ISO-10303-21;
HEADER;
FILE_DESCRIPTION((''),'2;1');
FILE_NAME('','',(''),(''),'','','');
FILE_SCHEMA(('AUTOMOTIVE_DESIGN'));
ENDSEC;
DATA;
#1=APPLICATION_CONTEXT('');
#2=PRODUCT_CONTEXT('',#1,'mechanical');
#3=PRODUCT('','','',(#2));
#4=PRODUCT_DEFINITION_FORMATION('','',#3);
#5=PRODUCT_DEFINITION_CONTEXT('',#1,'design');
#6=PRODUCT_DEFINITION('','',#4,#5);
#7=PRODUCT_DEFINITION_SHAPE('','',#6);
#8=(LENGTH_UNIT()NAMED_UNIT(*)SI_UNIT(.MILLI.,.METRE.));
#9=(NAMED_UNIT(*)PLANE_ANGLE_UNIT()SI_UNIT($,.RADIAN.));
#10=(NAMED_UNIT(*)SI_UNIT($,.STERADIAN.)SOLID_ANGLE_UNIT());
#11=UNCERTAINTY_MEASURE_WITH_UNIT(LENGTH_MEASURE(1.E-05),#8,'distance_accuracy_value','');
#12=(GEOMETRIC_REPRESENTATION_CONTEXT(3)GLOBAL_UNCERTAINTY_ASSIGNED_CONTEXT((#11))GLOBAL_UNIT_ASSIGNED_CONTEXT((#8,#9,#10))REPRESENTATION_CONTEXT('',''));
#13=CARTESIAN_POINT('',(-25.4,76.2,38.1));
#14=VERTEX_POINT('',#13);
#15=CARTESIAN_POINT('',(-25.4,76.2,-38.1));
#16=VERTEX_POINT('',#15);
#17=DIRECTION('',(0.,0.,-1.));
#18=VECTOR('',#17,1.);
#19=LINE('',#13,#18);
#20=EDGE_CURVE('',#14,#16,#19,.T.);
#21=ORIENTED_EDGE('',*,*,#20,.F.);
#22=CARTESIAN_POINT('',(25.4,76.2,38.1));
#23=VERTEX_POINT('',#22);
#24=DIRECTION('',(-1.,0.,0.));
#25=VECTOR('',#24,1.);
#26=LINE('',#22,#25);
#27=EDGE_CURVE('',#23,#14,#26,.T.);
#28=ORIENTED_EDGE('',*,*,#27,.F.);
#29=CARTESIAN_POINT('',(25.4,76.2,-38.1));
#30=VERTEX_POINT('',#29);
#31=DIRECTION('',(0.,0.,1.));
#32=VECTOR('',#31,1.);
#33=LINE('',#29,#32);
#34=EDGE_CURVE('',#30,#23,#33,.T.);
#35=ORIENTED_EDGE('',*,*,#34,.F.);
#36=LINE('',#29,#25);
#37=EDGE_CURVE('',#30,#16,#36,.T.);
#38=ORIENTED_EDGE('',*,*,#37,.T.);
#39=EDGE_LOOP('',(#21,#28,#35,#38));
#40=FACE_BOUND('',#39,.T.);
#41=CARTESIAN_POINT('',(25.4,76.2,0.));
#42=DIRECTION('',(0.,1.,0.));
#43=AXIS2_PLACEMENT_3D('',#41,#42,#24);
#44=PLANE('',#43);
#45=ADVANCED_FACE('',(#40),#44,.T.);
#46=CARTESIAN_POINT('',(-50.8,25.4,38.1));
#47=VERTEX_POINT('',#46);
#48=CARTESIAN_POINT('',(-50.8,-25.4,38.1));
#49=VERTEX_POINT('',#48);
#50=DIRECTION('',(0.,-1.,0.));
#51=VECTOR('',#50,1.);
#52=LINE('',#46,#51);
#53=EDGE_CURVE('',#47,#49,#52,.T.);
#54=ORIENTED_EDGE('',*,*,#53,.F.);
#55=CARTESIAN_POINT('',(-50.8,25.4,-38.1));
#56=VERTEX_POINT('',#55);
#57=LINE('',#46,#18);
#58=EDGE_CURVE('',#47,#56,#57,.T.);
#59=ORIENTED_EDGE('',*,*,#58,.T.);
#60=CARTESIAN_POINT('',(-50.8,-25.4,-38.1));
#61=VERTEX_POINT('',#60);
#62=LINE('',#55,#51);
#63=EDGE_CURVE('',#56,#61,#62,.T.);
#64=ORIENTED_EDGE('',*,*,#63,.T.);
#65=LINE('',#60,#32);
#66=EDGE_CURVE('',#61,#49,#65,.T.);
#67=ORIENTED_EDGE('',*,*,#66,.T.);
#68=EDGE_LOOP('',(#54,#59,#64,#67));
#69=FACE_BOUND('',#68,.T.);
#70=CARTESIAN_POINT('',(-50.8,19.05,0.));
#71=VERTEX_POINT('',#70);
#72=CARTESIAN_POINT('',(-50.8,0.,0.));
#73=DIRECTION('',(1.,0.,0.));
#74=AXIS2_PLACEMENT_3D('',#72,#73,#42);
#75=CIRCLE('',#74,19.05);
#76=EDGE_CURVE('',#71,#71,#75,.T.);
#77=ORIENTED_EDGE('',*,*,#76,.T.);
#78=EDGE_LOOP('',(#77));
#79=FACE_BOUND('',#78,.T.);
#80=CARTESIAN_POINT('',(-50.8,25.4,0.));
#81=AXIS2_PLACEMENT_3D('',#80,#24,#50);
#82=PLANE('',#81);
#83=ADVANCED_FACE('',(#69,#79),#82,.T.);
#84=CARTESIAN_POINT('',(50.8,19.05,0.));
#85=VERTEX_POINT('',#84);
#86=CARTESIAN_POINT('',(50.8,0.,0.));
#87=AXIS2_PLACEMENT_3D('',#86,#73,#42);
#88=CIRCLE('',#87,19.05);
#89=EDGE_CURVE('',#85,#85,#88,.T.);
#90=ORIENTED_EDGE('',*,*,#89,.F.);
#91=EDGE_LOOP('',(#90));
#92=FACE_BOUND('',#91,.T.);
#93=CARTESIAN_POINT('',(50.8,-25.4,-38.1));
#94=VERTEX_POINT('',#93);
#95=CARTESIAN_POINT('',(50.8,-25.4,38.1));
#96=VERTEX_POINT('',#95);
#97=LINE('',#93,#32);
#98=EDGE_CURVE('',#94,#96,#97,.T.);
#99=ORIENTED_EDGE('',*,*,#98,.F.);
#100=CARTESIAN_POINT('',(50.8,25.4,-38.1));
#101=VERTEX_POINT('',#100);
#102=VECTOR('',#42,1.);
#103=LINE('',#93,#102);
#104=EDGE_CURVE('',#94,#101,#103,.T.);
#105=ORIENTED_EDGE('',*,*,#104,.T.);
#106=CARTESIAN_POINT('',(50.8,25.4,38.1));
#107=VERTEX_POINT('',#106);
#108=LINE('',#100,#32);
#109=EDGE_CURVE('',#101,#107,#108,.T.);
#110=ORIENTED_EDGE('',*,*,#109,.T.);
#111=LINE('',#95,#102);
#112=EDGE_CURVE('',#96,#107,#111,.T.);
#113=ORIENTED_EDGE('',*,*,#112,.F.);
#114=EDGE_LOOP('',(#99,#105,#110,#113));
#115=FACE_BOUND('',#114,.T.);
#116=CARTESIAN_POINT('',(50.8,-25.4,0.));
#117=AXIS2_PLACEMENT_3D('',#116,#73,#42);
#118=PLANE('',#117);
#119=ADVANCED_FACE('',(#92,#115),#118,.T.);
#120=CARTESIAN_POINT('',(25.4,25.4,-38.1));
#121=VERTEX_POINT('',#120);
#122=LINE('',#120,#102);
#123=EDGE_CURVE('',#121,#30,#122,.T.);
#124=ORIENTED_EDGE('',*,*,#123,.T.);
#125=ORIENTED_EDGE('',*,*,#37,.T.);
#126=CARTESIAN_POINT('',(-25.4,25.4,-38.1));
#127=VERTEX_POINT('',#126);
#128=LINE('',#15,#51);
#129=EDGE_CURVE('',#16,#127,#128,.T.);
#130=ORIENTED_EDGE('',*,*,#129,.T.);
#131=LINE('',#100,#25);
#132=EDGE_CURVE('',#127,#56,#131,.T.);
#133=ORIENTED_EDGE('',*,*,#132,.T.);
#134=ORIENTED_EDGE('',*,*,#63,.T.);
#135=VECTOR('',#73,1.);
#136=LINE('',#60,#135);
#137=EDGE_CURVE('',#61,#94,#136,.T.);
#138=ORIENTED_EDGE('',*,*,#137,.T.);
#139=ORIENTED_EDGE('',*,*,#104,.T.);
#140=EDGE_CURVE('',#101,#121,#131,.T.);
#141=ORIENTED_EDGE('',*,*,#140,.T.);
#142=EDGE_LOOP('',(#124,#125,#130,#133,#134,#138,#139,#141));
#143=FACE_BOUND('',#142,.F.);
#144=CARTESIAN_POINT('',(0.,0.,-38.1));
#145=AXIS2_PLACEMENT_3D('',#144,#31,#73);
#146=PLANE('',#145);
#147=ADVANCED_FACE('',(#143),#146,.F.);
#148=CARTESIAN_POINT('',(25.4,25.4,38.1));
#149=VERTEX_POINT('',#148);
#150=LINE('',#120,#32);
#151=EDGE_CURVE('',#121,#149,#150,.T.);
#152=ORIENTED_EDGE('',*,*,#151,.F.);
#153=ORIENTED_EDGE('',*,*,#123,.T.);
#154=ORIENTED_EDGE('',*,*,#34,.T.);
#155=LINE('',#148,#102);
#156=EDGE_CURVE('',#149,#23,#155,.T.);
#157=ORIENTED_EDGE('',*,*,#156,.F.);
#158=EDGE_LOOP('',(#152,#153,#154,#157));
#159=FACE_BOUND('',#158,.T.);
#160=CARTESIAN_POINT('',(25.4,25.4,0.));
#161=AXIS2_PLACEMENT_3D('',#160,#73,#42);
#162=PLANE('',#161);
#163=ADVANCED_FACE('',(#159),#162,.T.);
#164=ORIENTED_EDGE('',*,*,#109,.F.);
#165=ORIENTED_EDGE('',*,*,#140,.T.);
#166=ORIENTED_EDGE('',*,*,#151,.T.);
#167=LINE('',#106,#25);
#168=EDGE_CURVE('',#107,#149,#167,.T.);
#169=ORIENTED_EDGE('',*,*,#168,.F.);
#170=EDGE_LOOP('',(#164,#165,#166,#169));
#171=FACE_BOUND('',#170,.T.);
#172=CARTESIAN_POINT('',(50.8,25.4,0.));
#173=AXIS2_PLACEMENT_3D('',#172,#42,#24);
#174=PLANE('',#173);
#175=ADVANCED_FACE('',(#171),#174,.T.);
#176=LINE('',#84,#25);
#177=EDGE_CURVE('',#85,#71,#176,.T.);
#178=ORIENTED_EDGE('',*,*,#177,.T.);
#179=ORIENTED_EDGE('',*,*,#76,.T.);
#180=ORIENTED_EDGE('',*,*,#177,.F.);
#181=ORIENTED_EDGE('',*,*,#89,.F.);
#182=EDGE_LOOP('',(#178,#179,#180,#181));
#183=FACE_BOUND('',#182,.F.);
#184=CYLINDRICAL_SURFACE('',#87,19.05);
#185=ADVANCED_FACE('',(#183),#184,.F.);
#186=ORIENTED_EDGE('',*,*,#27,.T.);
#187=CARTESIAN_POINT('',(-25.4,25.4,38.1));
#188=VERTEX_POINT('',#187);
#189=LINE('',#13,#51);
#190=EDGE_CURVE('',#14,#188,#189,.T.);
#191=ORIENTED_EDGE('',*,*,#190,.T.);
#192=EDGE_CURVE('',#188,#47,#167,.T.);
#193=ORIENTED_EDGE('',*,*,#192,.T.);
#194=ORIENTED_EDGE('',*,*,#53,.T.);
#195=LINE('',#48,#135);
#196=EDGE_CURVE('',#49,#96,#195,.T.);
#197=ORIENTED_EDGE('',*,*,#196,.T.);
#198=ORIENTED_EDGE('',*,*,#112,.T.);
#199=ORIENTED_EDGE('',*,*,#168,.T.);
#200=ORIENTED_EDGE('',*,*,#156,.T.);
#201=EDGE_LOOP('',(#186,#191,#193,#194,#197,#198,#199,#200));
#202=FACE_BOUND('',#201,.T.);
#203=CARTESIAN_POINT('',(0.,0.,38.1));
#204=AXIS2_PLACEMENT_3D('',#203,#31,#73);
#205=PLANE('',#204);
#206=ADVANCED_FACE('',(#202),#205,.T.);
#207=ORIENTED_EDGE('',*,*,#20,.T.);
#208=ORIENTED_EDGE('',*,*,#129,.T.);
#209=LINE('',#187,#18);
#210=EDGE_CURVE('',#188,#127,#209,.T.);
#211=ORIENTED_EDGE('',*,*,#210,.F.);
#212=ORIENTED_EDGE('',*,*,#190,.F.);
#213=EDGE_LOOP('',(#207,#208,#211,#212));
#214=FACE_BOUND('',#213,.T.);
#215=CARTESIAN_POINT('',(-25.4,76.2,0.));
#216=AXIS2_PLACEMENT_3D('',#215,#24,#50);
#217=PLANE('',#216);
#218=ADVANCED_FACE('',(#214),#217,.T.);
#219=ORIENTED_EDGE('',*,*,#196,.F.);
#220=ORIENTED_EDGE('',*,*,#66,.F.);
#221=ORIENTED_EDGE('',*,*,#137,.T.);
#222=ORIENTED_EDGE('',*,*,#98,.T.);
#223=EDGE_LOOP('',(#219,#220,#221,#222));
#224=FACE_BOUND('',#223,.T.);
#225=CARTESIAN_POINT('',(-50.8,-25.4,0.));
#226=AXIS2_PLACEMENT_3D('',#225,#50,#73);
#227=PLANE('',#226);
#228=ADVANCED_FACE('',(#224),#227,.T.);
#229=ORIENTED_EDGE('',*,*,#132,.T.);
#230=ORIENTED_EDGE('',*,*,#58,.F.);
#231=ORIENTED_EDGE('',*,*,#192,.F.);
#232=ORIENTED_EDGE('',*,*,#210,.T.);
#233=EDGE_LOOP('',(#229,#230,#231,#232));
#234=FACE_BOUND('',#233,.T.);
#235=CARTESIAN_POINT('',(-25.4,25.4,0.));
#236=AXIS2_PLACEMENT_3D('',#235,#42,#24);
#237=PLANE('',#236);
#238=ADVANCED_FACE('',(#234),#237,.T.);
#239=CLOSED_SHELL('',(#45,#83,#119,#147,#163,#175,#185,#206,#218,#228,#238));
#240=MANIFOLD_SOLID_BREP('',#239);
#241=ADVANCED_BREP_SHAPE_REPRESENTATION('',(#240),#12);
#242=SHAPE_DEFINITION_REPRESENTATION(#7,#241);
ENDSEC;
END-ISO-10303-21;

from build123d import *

# Parameters (mm, degrees)
F1_DEPTH = 38.1
F2_R     = 19.05
F3_DEPTH = 101.601


with BuildPart() as f1:
    # F0 (on Top) → F1 (new body, symmetric)
    with BuildSketch(Plane.XY):
        Polygon((-50.8, 25.4), (-50.8, -25.4), (50.8, -25.4), (50.8, 25.4), (25.4, 25.4), (0, 25.4), (-25.4, 25.4), align=None)
        Polygon((-25.4, 76.2), (-25.4, 25.4), (0, 25.4), (25.4, 25.4), (25.4, 76.2), align=None)
    extrude(amount=F1_DEPTH, both=True)

    # F2 (on face) → F3 (cut, through all)
    with BuildSketch(Plane.YZ.offset(50.8)):
        Circle(F2_R)
    extrude(amount=-F3_DEPTH, mode=Mode.SUBTRACT)


solid = f1.part
